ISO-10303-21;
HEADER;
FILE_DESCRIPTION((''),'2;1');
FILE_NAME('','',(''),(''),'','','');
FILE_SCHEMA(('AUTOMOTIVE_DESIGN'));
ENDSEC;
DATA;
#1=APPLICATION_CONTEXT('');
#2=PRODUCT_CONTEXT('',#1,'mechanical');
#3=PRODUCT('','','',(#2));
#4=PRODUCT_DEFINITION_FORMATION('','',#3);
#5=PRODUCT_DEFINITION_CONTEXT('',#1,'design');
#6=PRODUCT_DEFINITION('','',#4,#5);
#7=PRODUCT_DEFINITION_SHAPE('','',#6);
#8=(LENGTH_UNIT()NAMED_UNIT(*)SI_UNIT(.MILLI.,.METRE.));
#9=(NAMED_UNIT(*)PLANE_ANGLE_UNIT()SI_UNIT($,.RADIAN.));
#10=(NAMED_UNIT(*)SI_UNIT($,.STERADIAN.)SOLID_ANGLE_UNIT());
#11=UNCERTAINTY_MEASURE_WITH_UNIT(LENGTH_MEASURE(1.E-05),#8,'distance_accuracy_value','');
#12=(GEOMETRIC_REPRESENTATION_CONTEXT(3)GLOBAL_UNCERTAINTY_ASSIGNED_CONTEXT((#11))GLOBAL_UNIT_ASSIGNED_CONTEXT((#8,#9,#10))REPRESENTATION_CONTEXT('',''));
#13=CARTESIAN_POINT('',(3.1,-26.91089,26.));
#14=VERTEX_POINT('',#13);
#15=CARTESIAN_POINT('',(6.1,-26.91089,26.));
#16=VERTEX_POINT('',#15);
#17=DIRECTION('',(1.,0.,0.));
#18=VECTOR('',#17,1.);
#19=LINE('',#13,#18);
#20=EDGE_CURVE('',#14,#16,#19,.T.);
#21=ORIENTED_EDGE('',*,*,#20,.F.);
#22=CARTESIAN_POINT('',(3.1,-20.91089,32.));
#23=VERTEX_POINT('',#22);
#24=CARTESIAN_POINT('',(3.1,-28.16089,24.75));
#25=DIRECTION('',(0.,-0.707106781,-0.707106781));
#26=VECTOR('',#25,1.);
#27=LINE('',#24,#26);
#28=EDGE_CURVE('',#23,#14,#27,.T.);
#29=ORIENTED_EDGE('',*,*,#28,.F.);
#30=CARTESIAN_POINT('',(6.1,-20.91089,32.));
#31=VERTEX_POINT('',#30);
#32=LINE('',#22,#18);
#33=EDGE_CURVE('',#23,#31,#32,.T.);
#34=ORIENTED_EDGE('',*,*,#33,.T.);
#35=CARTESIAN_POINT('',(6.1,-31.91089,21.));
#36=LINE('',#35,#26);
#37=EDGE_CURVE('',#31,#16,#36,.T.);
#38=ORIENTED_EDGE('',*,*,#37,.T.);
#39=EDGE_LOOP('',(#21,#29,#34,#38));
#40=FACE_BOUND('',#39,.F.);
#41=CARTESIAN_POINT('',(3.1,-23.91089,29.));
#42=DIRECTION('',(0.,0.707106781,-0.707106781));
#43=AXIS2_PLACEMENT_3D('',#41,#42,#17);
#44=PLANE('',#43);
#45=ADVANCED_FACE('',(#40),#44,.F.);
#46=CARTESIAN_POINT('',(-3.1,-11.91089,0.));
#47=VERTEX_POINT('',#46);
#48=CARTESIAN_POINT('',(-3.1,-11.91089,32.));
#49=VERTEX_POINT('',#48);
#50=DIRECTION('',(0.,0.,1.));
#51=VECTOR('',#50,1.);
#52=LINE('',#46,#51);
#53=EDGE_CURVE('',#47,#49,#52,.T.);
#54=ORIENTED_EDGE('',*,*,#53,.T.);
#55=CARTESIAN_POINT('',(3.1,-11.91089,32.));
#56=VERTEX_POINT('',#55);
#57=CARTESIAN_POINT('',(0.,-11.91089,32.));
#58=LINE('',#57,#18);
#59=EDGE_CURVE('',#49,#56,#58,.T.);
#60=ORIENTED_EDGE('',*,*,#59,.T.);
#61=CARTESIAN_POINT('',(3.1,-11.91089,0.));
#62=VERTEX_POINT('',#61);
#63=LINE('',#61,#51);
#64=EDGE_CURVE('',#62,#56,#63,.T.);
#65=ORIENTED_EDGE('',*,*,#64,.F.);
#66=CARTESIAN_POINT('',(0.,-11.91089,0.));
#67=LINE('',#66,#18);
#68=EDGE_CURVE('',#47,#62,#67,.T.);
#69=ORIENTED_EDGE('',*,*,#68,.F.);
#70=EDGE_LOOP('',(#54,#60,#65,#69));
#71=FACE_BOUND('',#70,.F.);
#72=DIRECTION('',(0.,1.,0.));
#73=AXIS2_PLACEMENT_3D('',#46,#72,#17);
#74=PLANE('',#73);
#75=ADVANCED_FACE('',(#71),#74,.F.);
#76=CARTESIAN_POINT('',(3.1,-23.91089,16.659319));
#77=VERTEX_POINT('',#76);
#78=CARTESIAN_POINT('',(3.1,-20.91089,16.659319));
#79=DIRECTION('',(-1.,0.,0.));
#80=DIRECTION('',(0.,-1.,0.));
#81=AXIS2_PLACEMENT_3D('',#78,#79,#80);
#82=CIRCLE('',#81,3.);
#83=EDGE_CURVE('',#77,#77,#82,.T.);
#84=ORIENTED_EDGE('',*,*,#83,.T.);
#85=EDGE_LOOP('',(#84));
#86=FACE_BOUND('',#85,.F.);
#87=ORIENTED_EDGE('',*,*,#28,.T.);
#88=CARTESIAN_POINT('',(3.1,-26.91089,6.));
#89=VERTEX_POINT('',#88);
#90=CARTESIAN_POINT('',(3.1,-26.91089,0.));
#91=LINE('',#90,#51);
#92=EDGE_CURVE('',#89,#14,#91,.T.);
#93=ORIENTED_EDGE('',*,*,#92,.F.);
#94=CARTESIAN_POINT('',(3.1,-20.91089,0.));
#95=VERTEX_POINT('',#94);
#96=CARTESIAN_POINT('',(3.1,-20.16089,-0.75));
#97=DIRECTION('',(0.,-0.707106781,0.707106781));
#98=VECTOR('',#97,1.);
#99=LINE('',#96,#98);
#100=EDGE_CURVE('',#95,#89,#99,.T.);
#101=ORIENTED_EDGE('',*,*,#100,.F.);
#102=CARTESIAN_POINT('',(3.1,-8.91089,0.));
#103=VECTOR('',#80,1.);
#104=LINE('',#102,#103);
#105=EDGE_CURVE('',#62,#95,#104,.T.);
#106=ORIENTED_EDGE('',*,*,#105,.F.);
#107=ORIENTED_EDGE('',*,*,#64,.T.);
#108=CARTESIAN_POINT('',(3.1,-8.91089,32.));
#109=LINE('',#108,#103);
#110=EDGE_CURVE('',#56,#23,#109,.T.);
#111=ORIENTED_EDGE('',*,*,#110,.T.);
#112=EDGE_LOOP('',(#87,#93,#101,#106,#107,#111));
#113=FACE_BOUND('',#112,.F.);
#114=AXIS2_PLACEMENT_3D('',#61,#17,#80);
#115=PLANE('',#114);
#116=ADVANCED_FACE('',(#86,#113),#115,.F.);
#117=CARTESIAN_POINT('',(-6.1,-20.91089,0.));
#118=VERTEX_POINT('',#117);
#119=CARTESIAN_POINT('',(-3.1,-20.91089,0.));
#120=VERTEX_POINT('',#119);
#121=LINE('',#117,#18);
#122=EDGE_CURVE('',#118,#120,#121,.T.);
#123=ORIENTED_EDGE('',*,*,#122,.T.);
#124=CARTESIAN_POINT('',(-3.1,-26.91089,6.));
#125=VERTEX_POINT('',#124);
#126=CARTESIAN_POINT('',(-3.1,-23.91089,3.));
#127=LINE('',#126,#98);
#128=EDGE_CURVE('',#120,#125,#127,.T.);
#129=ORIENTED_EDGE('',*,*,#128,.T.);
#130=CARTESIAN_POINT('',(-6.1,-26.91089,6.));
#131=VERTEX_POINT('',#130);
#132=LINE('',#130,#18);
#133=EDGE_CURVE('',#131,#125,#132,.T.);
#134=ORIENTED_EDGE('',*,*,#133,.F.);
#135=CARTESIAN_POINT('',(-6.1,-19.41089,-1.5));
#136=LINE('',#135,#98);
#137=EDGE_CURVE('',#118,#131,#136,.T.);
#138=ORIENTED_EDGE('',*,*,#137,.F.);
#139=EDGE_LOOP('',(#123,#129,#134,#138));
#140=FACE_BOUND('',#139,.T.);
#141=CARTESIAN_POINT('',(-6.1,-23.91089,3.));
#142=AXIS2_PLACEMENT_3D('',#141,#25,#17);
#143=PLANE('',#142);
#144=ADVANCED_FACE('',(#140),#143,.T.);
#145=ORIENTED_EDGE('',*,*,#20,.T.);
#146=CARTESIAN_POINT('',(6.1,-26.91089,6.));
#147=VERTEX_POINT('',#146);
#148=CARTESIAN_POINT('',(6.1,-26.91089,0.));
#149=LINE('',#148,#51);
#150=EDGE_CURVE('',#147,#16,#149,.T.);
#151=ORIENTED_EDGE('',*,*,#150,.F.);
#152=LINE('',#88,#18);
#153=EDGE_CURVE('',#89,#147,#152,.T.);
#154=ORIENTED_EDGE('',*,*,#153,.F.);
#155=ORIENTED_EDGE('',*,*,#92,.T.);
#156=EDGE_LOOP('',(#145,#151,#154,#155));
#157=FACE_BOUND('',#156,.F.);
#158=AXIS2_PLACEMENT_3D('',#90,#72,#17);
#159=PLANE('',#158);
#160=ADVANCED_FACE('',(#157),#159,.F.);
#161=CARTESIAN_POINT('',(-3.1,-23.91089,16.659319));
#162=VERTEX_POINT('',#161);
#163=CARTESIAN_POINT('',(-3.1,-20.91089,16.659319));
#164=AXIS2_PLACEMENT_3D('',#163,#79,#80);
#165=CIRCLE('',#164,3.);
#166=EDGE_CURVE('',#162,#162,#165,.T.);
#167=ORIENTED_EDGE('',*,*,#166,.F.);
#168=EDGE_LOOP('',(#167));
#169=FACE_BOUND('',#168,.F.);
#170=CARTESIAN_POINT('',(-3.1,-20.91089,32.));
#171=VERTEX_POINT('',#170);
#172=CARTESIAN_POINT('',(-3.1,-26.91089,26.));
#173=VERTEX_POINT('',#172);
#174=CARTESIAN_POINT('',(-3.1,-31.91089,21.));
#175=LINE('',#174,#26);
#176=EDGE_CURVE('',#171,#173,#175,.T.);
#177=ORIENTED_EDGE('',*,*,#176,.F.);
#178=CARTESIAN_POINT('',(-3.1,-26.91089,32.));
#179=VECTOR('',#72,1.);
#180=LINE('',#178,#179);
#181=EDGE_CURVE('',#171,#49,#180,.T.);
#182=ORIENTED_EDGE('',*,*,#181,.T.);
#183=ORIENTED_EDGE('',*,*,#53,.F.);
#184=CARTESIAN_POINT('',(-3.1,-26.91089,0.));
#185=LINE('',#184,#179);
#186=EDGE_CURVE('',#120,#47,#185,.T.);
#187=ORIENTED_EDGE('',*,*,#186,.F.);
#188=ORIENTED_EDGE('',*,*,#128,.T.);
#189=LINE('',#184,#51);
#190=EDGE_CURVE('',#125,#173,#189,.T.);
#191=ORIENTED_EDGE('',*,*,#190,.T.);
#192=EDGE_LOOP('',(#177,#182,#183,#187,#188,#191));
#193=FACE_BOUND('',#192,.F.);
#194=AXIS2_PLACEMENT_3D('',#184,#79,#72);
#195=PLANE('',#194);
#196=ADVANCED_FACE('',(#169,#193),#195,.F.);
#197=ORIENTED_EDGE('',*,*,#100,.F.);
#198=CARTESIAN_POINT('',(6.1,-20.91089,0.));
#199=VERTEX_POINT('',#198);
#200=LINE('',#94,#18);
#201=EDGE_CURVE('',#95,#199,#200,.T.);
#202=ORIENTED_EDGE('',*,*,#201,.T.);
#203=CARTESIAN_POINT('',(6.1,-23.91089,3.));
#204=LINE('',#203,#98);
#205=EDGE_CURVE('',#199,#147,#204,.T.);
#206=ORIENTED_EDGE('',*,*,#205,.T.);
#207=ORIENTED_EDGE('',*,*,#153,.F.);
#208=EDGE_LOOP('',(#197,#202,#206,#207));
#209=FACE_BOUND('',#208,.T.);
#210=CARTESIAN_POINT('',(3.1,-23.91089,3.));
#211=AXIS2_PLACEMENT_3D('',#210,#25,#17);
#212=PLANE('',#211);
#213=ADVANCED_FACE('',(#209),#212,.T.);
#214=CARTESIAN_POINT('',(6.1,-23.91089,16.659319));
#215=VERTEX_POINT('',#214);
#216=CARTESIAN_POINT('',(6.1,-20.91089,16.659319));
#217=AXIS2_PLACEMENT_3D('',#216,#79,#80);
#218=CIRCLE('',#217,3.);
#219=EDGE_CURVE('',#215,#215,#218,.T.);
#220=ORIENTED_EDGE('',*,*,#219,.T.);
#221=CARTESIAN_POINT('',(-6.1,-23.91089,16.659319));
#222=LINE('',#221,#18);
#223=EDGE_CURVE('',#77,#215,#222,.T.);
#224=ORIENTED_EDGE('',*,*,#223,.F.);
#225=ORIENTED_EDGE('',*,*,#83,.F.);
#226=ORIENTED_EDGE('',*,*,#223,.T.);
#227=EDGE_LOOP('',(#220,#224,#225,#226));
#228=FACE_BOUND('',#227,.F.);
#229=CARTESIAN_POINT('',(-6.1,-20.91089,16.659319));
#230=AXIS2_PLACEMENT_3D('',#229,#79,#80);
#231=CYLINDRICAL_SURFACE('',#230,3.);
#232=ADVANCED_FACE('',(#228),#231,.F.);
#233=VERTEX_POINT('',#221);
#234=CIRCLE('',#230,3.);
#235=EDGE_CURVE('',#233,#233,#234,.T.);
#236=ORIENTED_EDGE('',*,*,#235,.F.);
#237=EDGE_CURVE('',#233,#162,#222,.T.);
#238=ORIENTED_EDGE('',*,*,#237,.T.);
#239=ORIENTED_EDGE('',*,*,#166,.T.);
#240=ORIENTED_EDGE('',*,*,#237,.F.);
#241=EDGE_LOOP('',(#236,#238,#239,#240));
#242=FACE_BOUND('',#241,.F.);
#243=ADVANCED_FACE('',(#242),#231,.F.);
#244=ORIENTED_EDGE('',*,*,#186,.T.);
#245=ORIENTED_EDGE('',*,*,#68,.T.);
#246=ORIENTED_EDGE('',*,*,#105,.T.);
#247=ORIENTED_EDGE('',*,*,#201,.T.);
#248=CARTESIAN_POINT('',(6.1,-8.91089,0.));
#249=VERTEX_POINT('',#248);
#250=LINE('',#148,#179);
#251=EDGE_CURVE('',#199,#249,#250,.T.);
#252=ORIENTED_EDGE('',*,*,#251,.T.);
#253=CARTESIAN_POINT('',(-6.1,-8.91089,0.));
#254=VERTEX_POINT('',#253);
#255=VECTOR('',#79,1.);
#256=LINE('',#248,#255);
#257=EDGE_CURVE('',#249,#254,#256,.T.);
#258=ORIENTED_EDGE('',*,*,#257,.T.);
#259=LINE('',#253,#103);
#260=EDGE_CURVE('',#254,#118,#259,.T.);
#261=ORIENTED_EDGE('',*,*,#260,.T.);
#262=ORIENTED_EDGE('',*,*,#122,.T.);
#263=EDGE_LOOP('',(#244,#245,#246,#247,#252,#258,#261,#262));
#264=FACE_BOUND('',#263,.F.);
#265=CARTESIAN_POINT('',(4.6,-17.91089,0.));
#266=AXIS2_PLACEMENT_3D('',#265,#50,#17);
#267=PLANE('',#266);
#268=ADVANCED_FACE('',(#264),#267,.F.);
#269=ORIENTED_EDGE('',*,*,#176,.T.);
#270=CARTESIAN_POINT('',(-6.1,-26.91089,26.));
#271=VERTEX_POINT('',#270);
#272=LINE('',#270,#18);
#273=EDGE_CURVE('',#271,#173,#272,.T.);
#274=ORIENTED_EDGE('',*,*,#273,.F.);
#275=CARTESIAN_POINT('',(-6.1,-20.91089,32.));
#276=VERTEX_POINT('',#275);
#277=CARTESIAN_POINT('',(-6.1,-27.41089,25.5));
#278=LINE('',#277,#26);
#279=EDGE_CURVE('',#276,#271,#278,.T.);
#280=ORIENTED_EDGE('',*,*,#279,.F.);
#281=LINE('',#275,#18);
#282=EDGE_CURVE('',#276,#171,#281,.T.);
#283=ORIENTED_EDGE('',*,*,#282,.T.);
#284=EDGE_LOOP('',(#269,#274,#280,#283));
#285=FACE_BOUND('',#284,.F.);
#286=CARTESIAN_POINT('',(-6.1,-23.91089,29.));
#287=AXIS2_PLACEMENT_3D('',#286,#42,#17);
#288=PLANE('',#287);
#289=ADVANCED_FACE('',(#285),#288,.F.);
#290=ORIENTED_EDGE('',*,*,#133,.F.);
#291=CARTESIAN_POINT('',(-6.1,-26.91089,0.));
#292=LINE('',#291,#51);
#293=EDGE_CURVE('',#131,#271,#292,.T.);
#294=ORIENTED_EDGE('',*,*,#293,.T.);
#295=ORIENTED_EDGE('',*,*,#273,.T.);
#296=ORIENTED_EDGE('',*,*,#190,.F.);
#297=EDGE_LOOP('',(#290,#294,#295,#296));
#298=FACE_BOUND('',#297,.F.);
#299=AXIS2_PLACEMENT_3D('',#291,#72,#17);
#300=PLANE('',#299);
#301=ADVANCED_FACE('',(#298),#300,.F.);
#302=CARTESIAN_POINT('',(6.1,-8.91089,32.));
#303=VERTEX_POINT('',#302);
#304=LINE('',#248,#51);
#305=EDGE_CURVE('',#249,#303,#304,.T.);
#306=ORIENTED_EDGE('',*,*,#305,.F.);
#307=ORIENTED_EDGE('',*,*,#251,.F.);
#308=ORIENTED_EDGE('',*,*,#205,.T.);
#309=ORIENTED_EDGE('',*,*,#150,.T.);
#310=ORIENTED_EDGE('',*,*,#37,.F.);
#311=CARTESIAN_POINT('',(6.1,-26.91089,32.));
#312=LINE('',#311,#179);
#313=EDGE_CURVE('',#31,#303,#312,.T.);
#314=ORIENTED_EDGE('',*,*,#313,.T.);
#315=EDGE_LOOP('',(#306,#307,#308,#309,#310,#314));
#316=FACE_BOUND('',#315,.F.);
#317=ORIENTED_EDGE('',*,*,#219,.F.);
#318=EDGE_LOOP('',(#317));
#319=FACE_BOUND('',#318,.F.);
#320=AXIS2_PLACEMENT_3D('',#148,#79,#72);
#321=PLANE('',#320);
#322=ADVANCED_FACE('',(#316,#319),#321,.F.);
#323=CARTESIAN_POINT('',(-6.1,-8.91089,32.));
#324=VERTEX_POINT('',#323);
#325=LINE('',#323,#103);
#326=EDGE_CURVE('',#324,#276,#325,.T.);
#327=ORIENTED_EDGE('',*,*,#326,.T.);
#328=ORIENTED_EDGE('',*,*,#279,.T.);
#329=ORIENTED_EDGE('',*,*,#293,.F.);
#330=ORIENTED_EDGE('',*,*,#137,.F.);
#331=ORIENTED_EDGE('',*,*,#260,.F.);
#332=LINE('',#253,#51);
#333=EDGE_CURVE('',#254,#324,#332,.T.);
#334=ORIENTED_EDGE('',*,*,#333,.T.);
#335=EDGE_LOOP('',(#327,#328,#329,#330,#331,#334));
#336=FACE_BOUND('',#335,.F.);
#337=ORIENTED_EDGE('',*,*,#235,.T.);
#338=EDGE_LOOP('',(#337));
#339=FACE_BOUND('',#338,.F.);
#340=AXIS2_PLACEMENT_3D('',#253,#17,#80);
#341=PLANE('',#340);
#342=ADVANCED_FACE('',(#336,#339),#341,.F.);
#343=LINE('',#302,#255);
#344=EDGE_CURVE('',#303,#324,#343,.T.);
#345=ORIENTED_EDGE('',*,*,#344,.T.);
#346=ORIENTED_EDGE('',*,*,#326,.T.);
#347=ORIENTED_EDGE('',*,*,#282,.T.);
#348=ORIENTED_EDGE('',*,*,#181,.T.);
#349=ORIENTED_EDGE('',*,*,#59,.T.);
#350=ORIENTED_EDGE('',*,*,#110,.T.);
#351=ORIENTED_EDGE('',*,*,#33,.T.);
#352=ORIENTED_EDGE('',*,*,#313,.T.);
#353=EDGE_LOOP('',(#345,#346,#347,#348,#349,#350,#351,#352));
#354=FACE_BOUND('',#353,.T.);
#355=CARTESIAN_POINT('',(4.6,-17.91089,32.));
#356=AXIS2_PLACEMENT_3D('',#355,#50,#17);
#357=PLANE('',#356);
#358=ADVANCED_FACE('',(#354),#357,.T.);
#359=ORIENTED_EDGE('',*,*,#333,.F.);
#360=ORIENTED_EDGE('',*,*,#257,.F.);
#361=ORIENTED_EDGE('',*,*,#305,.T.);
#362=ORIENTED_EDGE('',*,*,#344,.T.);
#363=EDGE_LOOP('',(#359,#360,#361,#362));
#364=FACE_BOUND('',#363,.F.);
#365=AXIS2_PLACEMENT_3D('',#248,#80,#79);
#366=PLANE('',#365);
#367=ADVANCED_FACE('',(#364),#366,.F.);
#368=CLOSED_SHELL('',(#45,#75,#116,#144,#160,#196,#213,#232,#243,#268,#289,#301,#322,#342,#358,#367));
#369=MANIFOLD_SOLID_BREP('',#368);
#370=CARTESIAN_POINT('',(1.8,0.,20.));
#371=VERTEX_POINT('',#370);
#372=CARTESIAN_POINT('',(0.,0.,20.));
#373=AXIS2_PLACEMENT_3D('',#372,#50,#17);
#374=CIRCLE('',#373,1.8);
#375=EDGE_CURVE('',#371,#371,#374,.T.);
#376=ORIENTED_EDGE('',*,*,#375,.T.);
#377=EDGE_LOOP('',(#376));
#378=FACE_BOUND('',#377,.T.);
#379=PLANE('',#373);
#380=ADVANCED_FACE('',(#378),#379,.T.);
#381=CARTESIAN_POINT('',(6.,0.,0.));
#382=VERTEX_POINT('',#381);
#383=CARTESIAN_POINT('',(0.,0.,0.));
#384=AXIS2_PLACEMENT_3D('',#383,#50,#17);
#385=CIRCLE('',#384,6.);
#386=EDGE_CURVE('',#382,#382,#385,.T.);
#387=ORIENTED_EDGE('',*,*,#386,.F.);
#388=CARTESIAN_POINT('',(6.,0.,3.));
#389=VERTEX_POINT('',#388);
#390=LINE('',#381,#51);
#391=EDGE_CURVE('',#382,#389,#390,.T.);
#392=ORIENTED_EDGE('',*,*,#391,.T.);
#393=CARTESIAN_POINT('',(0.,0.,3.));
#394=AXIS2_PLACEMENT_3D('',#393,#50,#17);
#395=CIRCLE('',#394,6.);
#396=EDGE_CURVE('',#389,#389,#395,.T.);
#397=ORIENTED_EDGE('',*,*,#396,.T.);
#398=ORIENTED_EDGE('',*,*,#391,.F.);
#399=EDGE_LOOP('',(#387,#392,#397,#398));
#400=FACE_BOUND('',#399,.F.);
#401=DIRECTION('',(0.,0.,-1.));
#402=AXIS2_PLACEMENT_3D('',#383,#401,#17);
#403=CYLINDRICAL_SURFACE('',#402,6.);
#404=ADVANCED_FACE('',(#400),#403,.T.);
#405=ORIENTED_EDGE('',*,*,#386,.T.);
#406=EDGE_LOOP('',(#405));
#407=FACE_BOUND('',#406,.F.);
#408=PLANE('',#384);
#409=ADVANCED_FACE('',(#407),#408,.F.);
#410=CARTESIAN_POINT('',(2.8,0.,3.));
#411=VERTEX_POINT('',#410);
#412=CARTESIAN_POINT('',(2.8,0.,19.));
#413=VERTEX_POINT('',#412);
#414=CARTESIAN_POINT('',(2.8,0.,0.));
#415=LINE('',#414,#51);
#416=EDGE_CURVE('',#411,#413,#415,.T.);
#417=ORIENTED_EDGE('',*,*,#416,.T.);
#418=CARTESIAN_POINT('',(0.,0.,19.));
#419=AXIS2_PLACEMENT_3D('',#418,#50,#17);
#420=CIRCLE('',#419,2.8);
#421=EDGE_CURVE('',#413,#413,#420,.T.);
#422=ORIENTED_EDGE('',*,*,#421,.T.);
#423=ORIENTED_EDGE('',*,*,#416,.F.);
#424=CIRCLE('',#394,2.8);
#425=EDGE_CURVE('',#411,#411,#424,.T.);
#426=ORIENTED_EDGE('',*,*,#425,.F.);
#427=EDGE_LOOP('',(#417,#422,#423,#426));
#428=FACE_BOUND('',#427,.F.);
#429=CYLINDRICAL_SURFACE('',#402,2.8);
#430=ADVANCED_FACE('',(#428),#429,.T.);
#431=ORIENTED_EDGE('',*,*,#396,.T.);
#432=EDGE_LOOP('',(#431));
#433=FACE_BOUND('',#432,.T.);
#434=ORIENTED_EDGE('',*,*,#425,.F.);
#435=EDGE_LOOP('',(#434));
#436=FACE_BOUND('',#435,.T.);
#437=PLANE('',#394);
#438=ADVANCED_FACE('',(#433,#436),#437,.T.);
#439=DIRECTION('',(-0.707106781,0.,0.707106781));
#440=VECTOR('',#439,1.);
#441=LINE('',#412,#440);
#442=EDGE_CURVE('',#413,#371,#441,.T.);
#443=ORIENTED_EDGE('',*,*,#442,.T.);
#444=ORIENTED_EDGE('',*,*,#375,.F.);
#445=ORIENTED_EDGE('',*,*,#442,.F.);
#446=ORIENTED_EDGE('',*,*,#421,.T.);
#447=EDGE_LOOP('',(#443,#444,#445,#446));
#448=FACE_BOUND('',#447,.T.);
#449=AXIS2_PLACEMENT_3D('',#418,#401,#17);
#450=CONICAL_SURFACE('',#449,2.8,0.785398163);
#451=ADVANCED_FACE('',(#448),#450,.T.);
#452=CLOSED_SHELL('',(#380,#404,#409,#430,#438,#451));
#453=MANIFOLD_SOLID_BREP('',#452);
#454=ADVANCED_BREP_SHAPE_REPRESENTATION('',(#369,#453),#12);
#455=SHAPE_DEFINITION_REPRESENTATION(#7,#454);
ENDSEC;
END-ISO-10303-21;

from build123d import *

# Parameters (mm, degrees)
F0_R     = 6
F0_R_2   = 2.8
F1_DEPTH = 3
F2_DEPTH = 20
F3_SIZE  = 1
F0_W     = 6.2
F0_H     = 3
F4_DEPTH = 32
F5_R     = 3
F6_DEPTH = 25
F7_SIZE  = 6


with BuildPart() as f1:
    # F0 (on Top) → F1 (new body)
    with BuildSketch(Plane.XY):
        Circle(F0_R)
        Circle(F0_R_2, mode=Mode.SUBTRACT)
    extrude(amount=F1_DEPTH)

    # F0 (on Top) → F2 (join)
    with BuildSketch(Plane.XY):
        Circle(F0_R_2)
    extrude(amount=F2_DEPTH)

    # F3
    f3_edges = [f1.edges().sort_by_distance(p)[0] for p in [
        (-2.8, 0, 20),
    ]]
    chamfer(f3_edges, length=F3_SIZE)


with BuildPart() as f4:
    # F0 (on Top) → F4 (new body)
    with BuildSketch(Plane.XY):
        Polygon((3.1, -8.9108899832), (3.1, -11.9108899832), (3.1, -26.9108899832), (6.1, -26.9108899832), (6.1, -8.9108899832), align=None)
        with Locations((0, -10.4108899832)):
            Rectangle(F0_W, F0_H)
        Polygon((-3.1, -26.9108899832), (-3.1, -11.9108899832), (-3.1, -8.9108899832), (-6.1, -8.9108899832), (-6.1, -26.9108899832), align=None)
    extrude(amount=F4_DEPTH)

    # F5 (on face) → F6 (cut)
    with BuildSketch(Plane(origin=(-6.1, 0, 0), x_dir=(0, -1, 0), z_dir=(-1, 0, 0))):
        with Locations((20.9108899832, 16.6593194008)):
            Circle(F5_R)
    extrude(amount=-F6_DEPTH, mode=Mode.SUBTRACT)

    # F7
    f7_edges = [f4.edges().sort_by_distance(p)[0] for p in [
        (-4.6, -26.91089, 32),
        (4.6, -26.91089, 32),
        (-4.6, -26.91089, 0),
        (4.6, -26.91089, 0),
    ]]
    chamfer(f7_edges, length=F7_SIZE)


solid = Compound([f1.part, f4.part])
